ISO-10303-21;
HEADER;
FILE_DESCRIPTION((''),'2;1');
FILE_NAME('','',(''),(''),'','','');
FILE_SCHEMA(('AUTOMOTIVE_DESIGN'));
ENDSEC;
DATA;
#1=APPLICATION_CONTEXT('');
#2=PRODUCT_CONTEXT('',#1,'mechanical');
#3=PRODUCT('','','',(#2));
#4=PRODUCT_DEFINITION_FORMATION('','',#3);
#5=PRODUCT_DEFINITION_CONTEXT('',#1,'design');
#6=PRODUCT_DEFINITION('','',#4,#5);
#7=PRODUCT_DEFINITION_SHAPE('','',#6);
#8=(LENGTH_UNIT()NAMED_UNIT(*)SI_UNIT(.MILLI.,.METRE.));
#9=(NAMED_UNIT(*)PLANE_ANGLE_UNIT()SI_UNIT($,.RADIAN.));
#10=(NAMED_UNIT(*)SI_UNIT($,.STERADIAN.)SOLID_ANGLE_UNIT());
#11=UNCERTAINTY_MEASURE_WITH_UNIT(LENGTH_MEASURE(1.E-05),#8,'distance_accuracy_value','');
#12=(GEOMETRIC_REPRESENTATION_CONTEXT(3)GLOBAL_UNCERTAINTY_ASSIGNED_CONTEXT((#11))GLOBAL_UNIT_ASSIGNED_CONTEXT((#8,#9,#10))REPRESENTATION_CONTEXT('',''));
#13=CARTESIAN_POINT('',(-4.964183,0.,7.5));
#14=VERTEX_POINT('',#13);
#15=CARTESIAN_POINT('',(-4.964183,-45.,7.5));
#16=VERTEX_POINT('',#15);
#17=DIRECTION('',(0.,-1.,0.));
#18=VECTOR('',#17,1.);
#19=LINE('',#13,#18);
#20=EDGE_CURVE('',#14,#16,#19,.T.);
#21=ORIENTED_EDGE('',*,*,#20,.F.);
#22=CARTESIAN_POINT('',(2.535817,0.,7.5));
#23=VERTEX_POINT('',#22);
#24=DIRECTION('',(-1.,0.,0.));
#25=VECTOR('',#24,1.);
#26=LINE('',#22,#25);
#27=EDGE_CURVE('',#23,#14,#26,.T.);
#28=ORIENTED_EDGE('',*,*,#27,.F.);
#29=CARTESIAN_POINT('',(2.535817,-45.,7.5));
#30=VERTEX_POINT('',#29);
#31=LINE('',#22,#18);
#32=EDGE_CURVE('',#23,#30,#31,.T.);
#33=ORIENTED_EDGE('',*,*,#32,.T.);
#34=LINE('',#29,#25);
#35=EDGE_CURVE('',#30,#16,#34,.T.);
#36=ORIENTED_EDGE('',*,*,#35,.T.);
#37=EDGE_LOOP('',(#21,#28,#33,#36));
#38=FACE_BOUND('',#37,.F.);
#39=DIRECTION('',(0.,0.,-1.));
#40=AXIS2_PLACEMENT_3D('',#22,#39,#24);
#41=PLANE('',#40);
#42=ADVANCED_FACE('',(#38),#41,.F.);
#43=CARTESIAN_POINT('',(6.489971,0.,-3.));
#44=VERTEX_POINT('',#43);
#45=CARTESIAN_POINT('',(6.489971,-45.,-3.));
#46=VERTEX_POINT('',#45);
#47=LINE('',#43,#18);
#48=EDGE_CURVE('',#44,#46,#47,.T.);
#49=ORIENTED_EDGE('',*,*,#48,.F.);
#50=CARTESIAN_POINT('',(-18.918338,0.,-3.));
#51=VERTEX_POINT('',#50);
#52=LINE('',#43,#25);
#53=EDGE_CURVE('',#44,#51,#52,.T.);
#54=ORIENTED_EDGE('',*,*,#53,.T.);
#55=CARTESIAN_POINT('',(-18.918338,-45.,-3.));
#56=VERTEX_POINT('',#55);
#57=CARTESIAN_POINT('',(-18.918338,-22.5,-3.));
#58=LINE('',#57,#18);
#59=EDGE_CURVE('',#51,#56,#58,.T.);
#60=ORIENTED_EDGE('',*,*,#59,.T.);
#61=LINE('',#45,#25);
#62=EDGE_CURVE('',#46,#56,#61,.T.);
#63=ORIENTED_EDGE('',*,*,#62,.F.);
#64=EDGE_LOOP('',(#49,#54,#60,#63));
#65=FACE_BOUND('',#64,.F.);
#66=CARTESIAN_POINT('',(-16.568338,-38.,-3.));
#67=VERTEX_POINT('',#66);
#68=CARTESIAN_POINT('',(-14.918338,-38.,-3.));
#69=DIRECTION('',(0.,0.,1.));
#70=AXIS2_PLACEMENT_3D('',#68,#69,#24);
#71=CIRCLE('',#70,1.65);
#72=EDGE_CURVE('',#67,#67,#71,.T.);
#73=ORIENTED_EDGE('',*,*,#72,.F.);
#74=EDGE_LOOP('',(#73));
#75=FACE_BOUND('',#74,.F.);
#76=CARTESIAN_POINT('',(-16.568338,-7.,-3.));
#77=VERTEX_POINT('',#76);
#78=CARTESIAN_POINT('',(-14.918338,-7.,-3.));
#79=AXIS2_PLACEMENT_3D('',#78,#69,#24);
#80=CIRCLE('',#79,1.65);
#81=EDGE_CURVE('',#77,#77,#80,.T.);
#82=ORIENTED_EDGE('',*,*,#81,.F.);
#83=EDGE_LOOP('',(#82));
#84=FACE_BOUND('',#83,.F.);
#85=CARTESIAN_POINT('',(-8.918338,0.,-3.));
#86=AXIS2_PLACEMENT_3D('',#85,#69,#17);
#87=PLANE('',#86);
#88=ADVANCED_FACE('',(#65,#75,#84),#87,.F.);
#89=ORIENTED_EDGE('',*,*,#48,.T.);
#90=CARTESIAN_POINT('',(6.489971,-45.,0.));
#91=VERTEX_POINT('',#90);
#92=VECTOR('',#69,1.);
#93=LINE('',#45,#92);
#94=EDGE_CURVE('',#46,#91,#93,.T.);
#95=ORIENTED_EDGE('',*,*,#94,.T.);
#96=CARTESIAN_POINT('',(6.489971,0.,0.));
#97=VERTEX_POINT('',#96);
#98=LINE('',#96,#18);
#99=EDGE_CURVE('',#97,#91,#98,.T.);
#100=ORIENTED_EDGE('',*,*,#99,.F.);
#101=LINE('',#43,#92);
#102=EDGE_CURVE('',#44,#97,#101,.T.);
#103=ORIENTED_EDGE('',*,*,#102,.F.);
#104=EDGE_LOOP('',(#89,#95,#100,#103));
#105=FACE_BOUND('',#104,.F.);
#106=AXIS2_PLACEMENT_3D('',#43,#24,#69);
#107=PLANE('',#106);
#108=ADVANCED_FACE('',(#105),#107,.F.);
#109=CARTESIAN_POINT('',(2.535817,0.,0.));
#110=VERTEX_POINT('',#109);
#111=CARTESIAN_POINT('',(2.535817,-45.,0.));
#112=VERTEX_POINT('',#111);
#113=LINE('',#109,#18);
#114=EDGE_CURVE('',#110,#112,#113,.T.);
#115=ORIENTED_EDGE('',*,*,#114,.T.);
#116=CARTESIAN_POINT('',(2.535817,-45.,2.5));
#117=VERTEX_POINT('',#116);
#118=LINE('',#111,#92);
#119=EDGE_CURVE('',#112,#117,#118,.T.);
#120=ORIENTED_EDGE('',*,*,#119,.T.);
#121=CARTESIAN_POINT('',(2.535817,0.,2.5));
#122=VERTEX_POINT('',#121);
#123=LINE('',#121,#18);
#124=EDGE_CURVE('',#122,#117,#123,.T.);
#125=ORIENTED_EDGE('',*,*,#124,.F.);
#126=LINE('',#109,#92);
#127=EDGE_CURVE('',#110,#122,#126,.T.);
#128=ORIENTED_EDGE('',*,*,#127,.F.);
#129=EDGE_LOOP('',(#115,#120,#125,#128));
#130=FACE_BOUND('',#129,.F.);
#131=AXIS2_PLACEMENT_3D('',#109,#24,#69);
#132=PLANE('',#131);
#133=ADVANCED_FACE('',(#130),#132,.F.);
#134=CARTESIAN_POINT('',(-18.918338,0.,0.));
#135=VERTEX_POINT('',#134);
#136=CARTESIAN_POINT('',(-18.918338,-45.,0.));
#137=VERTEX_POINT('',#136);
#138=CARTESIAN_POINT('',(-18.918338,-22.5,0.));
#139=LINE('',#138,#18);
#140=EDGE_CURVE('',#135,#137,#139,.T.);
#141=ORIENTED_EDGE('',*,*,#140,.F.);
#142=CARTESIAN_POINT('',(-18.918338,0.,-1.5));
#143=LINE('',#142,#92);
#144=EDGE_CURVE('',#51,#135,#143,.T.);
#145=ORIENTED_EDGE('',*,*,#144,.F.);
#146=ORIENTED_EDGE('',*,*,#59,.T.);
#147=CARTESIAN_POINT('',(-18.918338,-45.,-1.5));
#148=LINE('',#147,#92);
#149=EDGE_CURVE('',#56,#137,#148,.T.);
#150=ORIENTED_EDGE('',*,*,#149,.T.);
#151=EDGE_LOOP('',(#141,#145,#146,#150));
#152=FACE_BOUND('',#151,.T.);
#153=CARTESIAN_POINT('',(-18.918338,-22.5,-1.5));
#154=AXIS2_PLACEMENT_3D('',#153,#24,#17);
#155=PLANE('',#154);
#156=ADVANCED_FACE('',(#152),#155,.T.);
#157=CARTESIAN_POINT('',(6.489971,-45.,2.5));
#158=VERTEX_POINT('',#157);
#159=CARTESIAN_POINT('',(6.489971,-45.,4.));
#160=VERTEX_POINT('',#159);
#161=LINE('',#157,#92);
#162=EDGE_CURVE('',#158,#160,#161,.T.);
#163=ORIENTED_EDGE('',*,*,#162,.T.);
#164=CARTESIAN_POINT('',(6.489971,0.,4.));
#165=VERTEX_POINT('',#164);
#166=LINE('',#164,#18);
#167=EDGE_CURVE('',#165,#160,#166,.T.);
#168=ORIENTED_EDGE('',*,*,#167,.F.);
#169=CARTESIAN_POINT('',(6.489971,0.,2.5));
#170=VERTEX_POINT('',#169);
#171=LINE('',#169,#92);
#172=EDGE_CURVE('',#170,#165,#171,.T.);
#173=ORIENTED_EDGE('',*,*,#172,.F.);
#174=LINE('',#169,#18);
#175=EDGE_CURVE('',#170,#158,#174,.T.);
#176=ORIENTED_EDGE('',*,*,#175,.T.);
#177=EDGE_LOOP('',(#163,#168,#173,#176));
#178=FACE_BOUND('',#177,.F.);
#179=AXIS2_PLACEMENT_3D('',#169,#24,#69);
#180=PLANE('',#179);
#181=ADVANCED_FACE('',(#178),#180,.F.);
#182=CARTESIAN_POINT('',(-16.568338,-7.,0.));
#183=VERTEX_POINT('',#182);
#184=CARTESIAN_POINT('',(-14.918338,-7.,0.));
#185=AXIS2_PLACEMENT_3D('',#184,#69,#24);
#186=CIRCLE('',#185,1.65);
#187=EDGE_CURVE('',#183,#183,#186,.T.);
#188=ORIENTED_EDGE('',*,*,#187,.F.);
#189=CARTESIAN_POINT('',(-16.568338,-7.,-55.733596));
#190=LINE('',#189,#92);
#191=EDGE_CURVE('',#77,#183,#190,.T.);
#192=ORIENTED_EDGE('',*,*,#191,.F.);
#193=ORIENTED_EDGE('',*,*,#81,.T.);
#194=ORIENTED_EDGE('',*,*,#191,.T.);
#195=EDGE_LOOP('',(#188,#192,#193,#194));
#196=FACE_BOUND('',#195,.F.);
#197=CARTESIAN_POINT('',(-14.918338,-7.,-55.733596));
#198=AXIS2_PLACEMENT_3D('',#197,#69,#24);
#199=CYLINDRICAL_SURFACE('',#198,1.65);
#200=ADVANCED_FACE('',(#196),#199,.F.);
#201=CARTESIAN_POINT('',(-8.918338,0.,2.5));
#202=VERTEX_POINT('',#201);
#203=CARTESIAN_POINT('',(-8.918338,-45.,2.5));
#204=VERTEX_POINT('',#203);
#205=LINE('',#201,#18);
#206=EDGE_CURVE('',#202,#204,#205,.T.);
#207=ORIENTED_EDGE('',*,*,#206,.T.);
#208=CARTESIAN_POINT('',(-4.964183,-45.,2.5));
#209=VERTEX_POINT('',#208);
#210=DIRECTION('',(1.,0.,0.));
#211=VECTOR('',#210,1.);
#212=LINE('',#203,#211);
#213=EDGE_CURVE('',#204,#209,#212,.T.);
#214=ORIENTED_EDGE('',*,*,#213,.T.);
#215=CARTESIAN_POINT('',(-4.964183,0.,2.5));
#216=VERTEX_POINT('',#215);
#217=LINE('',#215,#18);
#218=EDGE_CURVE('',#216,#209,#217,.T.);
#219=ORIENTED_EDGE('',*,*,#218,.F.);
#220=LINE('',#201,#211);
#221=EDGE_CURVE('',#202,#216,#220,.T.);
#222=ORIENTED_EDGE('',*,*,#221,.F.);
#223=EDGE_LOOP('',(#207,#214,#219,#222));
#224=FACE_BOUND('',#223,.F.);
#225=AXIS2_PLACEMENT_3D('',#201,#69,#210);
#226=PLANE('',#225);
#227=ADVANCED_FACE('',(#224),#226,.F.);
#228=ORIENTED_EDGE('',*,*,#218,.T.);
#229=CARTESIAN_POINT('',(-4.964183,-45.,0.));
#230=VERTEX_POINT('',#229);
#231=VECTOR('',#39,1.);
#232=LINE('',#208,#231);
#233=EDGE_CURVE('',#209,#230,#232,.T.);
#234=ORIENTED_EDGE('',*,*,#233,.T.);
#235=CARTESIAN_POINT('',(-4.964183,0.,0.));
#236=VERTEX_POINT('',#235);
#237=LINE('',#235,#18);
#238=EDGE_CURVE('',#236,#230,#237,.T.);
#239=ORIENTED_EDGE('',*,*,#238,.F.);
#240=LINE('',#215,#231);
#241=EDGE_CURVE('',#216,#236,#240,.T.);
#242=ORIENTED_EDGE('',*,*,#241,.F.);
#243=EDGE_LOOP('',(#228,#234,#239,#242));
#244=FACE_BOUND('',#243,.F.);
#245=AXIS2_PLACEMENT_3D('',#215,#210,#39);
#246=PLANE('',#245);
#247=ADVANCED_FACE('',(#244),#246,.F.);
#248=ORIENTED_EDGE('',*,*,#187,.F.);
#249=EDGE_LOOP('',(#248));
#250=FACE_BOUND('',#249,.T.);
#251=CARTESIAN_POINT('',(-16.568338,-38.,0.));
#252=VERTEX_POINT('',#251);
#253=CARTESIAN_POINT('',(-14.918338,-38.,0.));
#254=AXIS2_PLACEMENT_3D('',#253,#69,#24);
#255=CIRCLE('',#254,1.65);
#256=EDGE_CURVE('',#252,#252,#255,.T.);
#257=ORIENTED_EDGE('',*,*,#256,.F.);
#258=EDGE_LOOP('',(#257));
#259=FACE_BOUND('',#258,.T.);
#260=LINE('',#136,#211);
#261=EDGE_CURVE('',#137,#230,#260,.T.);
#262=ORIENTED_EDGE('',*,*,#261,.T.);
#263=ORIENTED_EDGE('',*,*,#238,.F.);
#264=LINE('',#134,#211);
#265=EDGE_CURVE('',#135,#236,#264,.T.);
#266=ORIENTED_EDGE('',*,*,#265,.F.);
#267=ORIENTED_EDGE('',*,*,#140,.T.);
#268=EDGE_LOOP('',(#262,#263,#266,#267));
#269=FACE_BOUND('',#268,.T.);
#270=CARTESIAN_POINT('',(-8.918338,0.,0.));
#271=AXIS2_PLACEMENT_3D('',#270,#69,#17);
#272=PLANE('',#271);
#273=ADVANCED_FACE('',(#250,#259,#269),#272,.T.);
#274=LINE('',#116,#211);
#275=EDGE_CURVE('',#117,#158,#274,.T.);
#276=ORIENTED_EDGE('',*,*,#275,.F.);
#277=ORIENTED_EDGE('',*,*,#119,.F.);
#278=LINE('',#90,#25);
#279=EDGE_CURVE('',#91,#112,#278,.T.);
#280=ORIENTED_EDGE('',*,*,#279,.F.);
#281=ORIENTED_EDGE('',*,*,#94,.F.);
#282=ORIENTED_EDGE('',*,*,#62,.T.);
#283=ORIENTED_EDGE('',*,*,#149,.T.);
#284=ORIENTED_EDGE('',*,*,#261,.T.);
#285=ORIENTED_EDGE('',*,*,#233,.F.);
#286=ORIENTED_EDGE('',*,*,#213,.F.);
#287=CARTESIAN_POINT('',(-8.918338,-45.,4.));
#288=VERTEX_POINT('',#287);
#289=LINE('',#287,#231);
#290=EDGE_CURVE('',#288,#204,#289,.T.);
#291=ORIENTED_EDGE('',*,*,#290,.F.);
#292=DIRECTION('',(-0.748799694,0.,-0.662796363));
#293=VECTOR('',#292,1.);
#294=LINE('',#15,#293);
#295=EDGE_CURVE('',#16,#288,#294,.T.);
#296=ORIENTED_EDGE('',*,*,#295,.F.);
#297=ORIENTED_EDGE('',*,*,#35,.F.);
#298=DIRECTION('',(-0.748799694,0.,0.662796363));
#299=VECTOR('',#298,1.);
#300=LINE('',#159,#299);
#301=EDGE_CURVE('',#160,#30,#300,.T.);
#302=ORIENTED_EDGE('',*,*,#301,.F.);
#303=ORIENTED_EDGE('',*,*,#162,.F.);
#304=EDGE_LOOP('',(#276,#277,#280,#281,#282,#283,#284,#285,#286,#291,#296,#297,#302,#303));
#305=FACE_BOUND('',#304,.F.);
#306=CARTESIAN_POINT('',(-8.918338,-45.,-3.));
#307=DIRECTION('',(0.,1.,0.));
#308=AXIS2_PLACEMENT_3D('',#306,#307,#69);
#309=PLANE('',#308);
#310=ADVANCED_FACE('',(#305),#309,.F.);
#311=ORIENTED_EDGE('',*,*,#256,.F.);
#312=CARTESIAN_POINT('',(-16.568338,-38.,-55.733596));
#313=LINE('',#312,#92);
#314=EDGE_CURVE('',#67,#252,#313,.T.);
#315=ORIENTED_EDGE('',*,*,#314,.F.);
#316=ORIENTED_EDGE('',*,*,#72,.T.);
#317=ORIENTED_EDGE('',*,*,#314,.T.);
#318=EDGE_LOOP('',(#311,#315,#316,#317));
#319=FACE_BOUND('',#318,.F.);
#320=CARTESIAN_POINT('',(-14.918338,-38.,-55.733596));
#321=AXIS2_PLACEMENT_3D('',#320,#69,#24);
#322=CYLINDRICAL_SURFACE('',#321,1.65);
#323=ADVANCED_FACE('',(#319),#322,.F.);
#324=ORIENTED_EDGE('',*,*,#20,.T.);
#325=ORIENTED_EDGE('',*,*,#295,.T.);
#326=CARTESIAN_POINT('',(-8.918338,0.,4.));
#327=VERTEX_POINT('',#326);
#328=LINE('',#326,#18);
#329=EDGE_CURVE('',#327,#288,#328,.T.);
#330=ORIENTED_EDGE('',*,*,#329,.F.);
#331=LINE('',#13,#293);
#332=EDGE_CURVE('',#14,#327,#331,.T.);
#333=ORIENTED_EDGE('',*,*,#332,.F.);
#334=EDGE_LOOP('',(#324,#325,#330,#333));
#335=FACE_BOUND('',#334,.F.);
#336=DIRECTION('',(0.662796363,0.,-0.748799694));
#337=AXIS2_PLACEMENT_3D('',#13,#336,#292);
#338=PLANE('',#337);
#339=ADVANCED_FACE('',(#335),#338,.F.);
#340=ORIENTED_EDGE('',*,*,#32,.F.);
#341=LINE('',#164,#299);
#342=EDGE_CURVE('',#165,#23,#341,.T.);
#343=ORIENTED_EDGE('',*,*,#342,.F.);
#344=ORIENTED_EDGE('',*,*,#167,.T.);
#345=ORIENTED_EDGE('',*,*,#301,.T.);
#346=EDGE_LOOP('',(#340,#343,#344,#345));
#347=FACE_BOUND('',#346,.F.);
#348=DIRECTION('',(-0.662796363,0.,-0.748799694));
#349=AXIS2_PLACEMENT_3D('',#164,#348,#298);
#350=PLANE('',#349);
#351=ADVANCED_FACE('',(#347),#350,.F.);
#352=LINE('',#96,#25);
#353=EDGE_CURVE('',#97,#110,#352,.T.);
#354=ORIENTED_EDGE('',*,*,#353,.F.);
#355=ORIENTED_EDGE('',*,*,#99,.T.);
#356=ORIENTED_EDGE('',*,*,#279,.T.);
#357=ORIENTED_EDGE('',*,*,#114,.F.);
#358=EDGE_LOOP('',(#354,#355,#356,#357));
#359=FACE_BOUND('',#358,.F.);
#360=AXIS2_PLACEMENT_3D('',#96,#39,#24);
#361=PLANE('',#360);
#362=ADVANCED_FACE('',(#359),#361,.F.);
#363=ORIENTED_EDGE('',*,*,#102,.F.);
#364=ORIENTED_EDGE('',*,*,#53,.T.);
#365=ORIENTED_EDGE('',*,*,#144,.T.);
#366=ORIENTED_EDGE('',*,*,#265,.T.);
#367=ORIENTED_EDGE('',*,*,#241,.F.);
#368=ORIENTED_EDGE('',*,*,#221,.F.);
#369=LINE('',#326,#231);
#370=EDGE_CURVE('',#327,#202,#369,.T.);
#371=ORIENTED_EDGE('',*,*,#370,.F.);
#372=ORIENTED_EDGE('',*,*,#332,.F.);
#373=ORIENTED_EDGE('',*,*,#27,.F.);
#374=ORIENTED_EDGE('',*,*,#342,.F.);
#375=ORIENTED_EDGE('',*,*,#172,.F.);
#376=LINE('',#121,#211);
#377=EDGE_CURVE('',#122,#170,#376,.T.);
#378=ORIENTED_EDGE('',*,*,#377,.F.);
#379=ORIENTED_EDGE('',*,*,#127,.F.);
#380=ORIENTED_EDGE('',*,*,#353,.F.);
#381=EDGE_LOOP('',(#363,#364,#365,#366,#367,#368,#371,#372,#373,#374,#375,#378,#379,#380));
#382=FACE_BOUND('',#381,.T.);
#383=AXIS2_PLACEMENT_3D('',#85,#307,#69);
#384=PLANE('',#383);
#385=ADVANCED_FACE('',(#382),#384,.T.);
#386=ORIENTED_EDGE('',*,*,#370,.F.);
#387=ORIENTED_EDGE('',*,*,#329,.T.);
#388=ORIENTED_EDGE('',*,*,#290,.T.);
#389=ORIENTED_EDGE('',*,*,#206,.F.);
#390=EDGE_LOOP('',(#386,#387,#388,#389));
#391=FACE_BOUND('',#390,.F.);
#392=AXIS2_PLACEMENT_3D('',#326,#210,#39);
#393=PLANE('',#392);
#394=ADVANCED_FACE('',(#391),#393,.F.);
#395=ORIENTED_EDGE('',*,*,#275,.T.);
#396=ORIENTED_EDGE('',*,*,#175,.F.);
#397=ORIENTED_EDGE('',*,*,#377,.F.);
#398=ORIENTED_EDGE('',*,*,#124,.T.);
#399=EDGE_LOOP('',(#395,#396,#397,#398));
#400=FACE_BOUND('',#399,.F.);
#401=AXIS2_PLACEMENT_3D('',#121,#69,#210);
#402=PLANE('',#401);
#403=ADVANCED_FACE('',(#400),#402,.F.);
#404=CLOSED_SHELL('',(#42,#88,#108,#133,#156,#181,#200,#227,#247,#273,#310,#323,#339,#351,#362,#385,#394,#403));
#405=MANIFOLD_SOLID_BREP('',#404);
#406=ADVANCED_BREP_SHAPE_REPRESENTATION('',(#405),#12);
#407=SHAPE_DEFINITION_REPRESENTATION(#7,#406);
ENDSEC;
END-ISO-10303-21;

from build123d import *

# Parameters (mm, degrees)
F1_DEPTH = 45
F2_W     = 45
F2_H     = 3
F3_DEPTH = 10
F5_D     = 3.3


with BuildPart() as f1:
    # F0 (on Front) → F1 (new body)
    with BuildSketch(Plane.XZ):
        Polygon((-4.964183461, 2.5), (-4.964183461, 0), (2.535816539, 0), (2.535816539, 2.5), (6.4899705969, 2.5), (6.4899705969, 4), (2.535816539, 7.5), (-4.964183461, 7.5), (-8.9183375189, 4), (-8.9183375189, 2.5), align=None)
        Polygon((2.535816539, 0), (-4.964183461, 0), (-8.9183375189, 0), (-8.9183375189, -3), (6.4899705969, -3), (6.4899705969, 0), align=None)
    extrude(amount=F1_DEPTH)

    # F2 (on face) → F3 (join)
    with BuildSketch(Plane(origin=(-8.9183375189, 0, 0), x_dir=(0, -1, 0), z_dir=(-1, 0, 0))):
        with Locations((22.5, -1.5)):
            Rectangle(F2_W, F2_H)
    extrude(amount=F3_DEPTH)

    # F5 (through all)
    with Locations(Plane(origin=(0, 0, -3), x_dir=(1, 0, 0), z_dir=(0, 0, -1))):
        with Locations((-14.9183375189, 38), (-14.9183375189, 7)):
            Hole(F5_D / 2)


solid = f1.part
